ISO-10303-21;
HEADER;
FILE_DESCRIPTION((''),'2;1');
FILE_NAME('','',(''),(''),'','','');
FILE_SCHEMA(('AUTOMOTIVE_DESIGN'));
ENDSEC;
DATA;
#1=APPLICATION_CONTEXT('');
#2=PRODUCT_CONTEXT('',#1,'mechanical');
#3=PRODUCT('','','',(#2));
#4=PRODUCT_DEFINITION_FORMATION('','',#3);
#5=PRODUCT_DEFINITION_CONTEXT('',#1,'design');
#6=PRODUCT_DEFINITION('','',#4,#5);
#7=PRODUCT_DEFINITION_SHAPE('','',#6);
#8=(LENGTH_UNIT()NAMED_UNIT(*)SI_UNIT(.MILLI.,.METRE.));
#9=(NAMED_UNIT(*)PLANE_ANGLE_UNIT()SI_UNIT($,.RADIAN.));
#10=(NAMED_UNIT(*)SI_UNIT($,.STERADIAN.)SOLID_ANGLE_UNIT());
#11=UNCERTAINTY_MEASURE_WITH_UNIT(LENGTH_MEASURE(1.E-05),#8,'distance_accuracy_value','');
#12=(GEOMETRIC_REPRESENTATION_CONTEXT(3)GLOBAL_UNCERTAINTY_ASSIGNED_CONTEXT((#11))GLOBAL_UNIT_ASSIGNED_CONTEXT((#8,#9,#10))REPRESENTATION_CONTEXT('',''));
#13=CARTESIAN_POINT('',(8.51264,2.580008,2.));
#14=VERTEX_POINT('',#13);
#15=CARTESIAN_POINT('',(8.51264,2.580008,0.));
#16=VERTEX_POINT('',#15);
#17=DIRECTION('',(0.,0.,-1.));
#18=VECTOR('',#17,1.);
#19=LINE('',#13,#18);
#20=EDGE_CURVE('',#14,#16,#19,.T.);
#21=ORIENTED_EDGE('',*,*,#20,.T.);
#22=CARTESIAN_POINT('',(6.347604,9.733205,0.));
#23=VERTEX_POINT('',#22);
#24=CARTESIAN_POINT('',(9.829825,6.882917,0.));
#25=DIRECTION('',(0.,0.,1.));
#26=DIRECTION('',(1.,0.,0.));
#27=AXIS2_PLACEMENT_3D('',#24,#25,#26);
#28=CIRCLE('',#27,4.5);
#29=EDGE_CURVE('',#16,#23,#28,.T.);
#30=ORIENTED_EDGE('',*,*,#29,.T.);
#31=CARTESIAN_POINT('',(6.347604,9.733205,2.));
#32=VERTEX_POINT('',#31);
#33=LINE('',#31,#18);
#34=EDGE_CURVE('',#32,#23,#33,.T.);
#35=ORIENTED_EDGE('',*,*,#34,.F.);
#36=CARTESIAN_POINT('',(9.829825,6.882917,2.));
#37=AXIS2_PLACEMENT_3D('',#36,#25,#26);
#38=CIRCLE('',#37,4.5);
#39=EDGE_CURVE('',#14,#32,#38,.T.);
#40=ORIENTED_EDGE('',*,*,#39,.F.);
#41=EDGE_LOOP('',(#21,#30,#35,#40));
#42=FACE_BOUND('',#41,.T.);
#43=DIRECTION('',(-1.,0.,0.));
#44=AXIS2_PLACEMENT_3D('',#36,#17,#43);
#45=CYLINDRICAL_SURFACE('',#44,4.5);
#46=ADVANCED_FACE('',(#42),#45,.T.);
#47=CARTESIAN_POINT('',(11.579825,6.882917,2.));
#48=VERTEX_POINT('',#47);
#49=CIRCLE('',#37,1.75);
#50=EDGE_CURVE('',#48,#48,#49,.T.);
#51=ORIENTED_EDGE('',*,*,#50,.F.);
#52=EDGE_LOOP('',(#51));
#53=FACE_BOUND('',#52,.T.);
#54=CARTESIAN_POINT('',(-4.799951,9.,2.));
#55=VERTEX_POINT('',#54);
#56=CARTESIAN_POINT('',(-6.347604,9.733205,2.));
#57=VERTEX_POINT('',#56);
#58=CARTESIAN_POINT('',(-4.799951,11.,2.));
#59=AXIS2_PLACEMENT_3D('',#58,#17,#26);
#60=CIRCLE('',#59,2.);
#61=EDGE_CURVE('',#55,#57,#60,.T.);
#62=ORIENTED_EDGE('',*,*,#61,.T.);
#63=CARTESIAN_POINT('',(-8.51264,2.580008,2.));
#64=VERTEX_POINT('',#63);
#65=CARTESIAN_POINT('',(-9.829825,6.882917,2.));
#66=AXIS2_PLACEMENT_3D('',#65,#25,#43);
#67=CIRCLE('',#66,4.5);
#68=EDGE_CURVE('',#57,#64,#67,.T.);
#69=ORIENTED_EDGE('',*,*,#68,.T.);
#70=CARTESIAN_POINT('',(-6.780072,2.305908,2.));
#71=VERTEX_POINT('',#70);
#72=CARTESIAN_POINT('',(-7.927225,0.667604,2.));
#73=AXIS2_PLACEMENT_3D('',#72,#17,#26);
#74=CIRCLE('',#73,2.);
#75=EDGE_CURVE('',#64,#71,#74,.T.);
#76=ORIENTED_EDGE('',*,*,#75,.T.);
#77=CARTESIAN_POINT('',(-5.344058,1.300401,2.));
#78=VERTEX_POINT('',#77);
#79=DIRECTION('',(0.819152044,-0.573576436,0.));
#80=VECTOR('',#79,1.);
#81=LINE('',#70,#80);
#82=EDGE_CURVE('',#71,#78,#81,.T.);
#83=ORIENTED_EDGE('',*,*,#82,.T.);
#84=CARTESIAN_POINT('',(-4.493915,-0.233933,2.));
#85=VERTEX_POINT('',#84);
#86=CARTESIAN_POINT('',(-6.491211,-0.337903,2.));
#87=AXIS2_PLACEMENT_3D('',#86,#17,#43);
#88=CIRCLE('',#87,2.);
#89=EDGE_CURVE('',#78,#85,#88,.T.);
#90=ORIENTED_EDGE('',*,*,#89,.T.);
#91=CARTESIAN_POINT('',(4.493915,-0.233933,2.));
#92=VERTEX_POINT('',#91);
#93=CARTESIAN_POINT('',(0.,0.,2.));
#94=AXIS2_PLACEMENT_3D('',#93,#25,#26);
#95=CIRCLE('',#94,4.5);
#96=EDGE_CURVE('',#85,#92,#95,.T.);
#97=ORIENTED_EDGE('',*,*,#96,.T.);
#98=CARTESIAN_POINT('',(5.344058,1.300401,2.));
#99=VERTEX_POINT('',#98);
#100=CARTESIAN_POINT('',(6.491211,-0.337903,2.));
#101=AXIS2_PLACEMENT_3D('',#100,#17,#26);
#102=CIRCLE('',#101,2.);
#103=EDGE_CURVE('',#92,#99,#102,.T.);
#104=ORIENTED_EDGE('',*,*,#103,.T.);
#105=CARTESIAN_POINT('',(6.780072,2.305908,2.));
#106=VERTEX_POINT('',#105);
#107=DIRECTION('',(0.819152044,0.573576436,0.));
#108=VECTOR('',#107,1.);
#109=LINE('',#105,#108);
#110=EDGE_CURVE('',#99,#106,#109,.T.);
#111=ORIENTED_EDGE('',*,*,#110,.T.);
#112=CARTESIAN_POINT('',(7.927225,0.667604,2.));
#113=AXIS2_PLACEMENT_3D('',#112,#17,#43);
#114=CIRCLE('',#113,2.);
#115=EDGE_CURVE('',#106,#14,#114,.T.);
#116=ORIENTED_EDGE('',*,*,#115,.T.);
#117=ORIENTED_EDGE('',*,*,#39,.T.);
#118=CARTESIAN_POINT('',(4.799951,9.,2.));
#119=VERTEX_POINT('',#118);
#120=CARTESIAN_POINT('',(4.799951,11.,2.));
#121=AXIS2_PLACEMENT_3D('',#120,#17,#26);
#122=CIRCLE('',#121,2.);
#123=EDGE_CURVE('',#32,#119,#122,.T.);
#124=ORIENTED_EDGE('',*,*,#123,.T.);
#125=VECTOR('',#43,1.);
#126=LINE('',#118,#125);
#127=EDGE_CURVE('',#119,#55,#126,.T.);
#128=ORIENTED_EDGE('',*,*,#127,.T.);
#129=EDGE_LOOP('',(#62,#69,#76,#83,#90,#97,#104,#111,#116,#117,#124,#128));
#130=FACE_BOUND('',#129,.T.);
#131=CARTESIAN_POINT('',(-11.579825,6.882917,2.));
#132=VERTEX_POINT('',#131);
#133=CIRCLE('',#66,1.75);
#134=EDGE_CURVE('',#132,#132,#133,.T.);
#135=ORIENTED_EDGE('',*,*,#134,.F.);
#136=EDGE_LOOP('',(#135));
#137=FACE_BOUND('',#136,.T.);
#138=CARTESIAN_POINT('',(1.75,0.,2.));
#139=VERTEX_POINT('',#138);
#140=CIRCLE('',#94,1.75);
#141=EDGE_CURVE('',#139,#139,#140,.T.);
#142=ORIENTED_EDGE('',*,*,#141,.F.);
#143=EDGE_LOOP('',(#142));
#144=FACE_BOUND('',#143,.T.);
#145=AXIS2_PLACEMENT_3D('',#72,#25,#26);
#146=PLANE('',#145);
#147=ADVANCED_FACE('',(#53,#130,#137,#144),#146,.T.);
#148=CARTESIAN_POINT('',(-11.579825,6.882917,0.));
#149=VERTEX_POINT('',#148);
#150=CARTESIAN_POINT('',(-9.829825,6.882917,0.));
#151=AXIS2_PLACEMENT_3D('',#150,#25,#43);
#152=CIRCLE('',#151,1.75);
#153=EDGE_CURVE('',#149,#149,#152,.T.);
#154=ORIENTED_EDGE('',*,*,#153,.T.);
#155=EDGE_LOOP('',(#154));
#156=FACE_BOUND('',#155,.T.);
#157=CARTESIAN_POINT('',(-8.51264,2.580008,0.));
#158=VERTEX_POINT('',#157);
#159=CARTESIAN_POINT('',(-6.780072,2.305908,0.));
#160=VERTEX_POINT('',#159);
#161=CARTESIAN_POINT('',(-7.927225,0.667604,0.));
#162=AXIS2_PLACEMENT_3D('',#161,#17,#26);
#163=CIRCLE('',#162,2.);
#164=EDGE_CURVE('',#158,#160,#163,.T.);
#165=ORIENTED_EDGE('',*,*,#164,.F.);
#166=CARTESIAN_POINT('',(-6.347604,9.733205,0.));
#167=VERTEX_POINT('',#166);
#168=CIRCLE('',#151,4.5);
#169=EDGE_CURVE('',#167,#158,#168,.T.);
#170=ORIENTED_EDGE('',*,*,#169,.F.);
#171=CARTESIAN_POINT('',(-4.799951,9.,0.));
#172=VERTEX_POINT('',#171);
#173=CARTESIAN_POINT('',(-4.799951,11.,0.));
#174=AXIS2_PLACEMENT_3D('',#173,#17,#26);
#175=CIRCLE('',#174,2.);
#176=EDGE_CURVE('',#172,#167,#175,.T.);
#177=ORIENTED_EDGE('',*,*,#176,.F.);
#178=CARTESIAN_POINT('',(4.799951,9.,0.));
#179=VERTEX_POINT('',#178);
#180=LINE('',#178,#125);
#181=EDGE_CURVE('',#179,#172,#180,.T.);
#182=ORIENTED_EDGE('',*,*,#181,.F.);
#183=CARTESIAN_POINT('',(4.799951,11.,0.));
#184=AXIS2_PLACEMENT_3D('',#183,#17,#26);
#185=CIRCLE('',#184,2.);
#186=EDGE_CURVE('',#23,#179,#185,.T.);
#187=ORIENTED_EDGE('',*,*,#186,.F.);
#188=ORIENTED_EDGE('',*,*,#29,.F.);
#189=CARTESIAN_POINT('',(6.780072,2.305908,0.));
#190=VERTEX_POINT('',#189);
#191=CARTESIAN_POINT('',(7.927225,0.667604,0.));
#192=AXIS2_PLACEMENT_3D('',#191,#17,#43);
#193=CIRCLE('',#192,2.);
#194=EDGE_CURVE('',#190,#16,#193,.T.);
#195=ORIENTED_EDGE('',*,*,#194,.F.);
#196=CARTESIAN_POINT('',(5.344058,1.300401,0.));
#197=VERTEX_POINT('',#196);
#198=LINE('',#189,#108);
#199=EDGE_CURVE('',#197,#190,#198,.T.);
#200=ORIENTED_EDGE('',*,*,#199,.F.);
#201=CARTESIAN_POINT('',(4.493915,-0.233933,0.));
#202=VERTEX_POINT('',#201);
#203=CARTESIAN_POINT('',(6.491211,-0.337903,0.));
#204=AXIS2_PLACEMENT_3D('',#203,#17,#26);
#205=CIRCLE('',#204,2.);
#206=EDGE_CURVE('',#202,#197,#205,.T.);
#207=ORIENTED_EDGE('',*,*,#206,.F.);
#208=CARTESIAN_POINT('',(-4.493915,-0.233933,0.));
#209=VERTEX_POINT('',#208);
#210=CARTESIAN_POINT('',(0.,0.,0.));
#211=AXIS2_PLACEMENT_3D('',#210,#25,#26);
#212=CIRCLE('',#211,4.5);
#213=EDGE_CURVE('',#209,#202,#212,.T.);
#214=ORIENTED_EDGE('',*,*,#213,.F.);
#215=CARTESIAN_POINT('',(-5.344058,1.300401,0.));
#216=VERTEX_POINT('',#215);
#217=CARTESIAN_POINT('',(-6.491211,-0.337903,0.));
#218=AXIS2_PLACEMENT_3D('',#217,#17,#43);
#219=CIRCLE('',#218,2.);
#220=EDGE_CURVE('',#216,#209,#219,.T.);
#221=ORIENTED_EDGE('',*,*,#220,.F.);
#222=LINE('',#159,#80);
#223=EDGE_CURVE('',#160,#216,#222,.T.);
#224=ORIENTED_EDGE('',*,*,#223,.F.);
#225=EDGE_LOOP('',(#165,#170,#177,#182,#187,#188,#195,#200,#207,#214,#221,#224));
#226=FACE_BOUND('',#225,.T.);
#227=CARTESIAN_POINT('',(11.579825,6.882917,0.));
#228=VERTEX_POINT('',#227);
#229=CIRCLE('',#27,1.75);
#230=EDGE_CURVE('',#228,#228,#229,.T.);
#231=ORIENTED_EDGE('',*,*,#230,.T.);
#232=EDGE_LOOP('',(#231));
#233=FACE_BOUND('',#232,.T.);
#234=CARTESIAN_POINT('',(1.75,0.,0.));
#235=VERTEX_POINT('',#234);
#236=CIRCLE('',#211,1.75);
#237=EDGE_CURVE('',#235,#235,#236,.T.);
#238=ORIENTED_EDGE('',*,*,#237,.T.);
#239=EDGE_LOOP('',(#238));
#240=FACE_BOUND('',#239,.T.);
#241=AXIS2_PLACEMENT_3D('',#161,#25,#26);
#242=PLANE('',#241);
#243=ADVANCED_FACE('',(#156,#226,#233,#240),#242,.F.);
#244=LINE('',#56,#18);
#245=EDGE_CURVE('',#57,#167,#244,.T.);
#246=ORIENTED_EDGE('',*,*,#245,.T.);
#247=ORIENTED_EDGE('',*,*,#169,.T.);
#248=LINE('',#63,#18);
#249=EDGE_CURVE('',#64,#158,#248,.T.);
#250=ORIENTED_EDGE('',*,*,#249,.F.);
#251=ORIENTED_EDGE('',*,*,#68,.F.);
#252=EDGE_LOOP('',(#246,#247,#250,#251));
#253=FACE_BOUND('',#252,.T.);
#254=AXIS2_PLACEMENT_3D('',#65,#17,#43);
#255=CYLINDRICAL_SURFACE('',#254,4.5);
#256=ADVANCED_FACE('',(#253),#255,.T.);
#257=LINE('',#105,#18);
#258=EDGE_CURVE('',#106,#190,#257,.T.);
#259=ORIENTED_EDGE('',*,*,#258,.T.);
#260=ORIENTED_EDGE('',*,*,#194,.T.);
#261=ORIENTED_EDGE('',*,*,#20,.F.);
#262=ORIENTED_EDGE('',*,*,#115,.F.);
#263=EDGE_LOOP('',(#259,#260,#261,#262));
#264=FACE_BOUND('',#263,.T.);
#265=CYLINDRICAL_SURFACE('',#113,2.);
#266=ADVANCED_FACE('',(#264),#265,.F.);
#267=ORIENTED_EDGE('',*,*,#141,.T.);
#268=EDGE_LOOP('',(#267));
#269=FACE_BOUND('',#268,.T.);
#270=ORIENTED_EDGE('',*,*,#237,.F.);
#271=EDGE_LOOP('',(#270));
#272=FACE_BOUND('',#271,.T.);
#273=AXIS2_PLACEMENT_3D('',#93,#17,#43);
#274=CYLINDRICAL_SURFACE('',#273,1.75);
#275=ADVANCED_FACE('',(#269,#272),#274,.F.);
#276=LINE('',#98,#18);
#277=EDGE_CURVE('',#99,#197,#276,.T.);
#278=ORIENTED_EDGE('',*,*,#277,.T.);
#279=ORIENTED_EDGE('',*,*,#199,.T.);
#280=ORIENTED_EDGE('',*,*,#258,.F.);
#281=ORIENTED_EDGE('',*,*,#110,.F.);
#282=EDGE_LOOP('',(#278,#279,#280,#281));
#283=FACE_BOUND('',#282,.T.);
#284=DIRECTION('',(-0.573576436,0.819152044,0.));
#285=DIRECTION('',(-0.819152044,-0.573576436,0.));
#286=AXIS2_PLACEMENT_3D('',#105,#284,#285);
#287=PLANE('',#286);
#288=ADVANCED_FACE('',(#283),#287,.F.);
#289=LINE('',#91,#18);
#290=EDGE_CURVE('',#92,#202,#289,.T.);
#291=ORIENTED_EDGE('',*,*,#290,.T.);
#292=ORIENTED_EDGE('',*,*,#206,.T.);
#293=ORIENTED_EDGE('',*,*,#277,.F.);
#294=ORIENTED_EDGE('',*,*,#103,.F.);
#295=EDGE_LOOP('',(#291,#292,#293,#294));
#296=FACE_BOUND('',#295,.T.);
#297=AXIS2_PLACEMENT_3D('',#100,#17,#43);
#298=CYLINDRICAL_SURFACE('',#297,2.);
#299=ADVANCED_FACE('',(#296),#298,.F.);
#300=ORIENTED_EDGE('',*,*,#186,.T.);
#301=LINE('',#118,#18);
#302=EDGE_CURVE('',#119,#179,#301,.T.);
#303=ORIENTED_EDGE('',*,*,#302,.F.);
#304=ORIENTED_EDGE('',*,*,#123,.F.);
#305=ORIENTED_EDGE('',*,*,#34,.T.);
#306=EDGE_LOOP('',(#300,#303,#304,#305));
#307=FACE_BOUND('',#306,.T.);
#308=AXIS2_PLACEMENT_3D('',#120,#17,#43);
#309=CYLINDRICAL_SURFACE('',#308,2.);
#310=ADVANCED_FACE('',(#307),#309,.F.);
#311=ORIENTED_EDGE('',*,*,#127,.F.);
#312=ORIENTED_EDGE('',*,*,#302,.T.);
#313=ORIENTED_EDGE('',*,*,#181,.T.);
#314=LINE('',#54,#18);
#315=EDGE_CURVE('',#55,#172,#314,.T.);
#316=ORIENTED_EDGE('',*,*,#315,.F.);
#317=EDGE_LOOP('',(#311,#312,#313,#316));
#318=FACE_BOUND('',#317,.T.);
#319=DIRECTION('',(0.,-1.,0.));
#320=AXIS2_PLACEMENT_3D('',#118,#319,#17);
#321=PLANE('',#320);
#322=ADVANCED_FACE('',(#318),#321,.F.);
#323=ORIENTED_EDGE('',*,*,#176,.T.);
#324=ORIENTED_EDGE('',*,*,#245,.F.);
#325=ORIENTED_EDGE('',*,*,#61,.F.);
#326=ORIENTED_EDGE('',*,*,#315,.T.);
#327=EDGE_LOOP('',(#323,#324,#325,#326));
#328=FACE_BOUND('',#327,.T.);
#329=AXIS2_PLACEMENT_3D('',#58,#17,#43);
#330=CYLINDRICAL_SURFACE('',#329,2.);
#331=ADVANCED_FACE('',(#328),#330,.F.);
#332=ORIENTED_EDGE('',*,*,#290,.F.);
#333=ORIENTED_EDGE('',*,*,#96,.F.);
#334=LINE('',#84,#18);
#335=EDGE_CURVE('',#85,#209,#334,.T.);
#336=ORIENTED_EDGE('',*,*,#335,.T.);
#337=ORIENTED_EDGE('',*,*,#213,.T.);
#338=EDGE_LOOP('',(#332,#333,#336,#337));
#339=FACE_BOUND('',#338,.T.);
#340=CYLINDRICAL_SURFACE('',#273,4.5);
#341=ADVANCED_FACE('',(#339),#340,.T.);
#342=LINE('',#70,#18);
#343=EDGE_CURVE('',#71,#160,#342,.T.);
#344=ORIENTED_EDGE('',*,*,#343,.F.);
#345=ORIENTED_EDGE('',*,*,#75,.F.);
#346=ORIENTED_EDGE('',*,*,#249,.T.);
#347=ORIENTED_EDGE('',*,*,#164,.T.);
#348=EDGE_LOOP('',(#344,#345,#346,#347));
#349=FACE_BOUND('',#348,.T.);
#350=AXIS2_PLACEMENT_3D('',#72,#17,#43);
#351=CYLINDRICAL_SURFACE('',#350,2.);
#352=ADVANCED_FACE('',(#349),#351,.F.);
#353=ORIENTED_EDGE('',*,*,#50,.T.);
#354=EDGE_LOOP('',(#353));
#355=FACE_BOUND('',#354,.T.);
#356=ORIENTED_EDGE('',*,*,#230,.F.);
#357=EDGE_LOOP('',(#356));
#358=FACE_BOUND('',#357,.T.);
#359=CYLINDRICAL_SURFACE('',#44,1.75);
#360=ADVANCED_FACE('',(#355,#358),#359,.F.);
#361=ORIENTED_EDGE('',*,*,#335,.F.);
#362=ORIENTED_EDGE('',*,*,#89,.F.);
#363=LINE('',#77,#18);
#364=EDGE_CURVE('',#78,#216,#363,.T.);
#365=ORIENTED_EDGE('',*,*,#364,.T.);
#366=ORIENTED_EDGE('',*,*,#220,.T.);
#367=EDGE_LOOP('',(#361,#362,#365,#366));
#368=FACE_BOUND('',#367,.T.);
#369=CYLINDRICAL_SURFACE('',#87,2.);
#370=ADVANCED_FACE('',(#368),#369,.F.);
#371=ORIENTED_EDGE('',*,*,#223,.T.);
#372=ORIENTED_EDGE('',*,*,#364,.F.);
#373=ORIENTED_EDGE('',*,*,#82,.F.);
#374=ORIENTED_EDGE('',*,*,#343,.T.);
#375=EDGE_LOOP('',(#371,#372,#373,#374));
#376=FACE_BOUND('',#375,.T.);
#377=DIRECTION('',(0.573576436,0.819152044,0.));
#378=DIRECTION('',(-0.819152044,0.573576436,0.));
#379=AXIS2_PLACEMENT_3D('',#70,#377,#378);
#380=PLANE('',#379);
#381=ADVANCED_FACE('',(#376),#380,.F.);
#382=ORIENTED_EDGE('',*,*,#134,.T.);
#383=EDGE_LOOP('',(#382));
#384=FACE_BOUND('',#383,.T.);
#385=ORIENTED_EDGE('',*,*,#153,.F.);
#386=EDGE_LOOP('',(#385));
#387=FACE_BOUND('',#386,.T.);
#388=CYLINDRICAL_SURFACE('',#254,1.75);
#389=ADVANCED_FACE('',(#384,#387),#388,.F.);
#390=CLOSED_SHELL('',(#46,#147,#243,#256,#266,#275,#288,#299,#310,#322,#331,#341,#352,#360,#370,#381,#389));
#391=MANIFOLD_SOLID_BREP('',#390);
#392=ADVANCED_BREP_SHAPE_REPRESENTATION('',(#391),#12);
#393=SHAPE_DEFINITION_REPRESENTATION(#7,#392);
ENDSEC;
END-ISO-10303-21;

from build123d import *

# Parameters (mm, degrees)
SKETCH1_R           = 1.75
BOSS_EXTRUDE1_DEPTH = 2


with BuildPart() as part:
    # Sketch1 → Boss-Extrude1 (new body)
    with BuildSketch(Plane.XY):
        with BuildLine():
            Line((6.78007207, 2.305908396), (5.344058207, 1.300400663))
            ThreePointArc((5.344058207, 1.300400663), (4.741801382, 0.631408553), (4.493915363, -0.233933141))
            ThreePointArc((4.493915363, -0.233933141), (0, -4.5), (-4.493915363, -0.233933141))
            ThreePointArc((-4.493915363, -0.233933141), (-4.741801382, 0.631408553), (-5.344058207, 1.300400663))
            Line((-5.344058207, 1.300400663), (-6.78007207, 2.305908396))
            ThreePointArc((-6.78007207, 2.305908396), (-7.614702985, 2.643035912), (-8.512640201, 2.580008285))
            ThreePointArc((-8.512640201, 2.580008285), (-14.136868529, 8.186516868), (-6.347604272, 9.733205303))
            ThreePointArc((-6.347604272, 9.733205303), (-5.656224906, 9.192572354), (-4.799950824, 9))
            Line((-4.799950824, 9), (4.799950824, 9))
            ThreePointArc((4.799950824, 9), (5.656224906, 9.192572354), (6.347604272, 9.733205303))
            ThreePointArc((6.347604272, 9.733205303), (14.136868529, 8.186516868), (8.512640201, 2.580008285))
            ThreePointArc((8.512640201, 2.580008285), (7.614702985, 2.643035912), (6.78007207, 2.305908396))
        make_face()
        Circle(SKETCH1_R, mode=Mode.SUBTRACT)
        with Locations((9.829824531, 6.882917236)):
            Circle(SKETCH1_R, mode=Mode.SUBTRACT)
        with Locations(Location((-9.829824531, 6.882917236, 0), (0, 0, 180))):
            Circle(SKETCH1_R, mode=Mode.SUBTRACT)
    extrude(amount=BOSS_EXTRUDE1_DEPTH)


solid = part.part
